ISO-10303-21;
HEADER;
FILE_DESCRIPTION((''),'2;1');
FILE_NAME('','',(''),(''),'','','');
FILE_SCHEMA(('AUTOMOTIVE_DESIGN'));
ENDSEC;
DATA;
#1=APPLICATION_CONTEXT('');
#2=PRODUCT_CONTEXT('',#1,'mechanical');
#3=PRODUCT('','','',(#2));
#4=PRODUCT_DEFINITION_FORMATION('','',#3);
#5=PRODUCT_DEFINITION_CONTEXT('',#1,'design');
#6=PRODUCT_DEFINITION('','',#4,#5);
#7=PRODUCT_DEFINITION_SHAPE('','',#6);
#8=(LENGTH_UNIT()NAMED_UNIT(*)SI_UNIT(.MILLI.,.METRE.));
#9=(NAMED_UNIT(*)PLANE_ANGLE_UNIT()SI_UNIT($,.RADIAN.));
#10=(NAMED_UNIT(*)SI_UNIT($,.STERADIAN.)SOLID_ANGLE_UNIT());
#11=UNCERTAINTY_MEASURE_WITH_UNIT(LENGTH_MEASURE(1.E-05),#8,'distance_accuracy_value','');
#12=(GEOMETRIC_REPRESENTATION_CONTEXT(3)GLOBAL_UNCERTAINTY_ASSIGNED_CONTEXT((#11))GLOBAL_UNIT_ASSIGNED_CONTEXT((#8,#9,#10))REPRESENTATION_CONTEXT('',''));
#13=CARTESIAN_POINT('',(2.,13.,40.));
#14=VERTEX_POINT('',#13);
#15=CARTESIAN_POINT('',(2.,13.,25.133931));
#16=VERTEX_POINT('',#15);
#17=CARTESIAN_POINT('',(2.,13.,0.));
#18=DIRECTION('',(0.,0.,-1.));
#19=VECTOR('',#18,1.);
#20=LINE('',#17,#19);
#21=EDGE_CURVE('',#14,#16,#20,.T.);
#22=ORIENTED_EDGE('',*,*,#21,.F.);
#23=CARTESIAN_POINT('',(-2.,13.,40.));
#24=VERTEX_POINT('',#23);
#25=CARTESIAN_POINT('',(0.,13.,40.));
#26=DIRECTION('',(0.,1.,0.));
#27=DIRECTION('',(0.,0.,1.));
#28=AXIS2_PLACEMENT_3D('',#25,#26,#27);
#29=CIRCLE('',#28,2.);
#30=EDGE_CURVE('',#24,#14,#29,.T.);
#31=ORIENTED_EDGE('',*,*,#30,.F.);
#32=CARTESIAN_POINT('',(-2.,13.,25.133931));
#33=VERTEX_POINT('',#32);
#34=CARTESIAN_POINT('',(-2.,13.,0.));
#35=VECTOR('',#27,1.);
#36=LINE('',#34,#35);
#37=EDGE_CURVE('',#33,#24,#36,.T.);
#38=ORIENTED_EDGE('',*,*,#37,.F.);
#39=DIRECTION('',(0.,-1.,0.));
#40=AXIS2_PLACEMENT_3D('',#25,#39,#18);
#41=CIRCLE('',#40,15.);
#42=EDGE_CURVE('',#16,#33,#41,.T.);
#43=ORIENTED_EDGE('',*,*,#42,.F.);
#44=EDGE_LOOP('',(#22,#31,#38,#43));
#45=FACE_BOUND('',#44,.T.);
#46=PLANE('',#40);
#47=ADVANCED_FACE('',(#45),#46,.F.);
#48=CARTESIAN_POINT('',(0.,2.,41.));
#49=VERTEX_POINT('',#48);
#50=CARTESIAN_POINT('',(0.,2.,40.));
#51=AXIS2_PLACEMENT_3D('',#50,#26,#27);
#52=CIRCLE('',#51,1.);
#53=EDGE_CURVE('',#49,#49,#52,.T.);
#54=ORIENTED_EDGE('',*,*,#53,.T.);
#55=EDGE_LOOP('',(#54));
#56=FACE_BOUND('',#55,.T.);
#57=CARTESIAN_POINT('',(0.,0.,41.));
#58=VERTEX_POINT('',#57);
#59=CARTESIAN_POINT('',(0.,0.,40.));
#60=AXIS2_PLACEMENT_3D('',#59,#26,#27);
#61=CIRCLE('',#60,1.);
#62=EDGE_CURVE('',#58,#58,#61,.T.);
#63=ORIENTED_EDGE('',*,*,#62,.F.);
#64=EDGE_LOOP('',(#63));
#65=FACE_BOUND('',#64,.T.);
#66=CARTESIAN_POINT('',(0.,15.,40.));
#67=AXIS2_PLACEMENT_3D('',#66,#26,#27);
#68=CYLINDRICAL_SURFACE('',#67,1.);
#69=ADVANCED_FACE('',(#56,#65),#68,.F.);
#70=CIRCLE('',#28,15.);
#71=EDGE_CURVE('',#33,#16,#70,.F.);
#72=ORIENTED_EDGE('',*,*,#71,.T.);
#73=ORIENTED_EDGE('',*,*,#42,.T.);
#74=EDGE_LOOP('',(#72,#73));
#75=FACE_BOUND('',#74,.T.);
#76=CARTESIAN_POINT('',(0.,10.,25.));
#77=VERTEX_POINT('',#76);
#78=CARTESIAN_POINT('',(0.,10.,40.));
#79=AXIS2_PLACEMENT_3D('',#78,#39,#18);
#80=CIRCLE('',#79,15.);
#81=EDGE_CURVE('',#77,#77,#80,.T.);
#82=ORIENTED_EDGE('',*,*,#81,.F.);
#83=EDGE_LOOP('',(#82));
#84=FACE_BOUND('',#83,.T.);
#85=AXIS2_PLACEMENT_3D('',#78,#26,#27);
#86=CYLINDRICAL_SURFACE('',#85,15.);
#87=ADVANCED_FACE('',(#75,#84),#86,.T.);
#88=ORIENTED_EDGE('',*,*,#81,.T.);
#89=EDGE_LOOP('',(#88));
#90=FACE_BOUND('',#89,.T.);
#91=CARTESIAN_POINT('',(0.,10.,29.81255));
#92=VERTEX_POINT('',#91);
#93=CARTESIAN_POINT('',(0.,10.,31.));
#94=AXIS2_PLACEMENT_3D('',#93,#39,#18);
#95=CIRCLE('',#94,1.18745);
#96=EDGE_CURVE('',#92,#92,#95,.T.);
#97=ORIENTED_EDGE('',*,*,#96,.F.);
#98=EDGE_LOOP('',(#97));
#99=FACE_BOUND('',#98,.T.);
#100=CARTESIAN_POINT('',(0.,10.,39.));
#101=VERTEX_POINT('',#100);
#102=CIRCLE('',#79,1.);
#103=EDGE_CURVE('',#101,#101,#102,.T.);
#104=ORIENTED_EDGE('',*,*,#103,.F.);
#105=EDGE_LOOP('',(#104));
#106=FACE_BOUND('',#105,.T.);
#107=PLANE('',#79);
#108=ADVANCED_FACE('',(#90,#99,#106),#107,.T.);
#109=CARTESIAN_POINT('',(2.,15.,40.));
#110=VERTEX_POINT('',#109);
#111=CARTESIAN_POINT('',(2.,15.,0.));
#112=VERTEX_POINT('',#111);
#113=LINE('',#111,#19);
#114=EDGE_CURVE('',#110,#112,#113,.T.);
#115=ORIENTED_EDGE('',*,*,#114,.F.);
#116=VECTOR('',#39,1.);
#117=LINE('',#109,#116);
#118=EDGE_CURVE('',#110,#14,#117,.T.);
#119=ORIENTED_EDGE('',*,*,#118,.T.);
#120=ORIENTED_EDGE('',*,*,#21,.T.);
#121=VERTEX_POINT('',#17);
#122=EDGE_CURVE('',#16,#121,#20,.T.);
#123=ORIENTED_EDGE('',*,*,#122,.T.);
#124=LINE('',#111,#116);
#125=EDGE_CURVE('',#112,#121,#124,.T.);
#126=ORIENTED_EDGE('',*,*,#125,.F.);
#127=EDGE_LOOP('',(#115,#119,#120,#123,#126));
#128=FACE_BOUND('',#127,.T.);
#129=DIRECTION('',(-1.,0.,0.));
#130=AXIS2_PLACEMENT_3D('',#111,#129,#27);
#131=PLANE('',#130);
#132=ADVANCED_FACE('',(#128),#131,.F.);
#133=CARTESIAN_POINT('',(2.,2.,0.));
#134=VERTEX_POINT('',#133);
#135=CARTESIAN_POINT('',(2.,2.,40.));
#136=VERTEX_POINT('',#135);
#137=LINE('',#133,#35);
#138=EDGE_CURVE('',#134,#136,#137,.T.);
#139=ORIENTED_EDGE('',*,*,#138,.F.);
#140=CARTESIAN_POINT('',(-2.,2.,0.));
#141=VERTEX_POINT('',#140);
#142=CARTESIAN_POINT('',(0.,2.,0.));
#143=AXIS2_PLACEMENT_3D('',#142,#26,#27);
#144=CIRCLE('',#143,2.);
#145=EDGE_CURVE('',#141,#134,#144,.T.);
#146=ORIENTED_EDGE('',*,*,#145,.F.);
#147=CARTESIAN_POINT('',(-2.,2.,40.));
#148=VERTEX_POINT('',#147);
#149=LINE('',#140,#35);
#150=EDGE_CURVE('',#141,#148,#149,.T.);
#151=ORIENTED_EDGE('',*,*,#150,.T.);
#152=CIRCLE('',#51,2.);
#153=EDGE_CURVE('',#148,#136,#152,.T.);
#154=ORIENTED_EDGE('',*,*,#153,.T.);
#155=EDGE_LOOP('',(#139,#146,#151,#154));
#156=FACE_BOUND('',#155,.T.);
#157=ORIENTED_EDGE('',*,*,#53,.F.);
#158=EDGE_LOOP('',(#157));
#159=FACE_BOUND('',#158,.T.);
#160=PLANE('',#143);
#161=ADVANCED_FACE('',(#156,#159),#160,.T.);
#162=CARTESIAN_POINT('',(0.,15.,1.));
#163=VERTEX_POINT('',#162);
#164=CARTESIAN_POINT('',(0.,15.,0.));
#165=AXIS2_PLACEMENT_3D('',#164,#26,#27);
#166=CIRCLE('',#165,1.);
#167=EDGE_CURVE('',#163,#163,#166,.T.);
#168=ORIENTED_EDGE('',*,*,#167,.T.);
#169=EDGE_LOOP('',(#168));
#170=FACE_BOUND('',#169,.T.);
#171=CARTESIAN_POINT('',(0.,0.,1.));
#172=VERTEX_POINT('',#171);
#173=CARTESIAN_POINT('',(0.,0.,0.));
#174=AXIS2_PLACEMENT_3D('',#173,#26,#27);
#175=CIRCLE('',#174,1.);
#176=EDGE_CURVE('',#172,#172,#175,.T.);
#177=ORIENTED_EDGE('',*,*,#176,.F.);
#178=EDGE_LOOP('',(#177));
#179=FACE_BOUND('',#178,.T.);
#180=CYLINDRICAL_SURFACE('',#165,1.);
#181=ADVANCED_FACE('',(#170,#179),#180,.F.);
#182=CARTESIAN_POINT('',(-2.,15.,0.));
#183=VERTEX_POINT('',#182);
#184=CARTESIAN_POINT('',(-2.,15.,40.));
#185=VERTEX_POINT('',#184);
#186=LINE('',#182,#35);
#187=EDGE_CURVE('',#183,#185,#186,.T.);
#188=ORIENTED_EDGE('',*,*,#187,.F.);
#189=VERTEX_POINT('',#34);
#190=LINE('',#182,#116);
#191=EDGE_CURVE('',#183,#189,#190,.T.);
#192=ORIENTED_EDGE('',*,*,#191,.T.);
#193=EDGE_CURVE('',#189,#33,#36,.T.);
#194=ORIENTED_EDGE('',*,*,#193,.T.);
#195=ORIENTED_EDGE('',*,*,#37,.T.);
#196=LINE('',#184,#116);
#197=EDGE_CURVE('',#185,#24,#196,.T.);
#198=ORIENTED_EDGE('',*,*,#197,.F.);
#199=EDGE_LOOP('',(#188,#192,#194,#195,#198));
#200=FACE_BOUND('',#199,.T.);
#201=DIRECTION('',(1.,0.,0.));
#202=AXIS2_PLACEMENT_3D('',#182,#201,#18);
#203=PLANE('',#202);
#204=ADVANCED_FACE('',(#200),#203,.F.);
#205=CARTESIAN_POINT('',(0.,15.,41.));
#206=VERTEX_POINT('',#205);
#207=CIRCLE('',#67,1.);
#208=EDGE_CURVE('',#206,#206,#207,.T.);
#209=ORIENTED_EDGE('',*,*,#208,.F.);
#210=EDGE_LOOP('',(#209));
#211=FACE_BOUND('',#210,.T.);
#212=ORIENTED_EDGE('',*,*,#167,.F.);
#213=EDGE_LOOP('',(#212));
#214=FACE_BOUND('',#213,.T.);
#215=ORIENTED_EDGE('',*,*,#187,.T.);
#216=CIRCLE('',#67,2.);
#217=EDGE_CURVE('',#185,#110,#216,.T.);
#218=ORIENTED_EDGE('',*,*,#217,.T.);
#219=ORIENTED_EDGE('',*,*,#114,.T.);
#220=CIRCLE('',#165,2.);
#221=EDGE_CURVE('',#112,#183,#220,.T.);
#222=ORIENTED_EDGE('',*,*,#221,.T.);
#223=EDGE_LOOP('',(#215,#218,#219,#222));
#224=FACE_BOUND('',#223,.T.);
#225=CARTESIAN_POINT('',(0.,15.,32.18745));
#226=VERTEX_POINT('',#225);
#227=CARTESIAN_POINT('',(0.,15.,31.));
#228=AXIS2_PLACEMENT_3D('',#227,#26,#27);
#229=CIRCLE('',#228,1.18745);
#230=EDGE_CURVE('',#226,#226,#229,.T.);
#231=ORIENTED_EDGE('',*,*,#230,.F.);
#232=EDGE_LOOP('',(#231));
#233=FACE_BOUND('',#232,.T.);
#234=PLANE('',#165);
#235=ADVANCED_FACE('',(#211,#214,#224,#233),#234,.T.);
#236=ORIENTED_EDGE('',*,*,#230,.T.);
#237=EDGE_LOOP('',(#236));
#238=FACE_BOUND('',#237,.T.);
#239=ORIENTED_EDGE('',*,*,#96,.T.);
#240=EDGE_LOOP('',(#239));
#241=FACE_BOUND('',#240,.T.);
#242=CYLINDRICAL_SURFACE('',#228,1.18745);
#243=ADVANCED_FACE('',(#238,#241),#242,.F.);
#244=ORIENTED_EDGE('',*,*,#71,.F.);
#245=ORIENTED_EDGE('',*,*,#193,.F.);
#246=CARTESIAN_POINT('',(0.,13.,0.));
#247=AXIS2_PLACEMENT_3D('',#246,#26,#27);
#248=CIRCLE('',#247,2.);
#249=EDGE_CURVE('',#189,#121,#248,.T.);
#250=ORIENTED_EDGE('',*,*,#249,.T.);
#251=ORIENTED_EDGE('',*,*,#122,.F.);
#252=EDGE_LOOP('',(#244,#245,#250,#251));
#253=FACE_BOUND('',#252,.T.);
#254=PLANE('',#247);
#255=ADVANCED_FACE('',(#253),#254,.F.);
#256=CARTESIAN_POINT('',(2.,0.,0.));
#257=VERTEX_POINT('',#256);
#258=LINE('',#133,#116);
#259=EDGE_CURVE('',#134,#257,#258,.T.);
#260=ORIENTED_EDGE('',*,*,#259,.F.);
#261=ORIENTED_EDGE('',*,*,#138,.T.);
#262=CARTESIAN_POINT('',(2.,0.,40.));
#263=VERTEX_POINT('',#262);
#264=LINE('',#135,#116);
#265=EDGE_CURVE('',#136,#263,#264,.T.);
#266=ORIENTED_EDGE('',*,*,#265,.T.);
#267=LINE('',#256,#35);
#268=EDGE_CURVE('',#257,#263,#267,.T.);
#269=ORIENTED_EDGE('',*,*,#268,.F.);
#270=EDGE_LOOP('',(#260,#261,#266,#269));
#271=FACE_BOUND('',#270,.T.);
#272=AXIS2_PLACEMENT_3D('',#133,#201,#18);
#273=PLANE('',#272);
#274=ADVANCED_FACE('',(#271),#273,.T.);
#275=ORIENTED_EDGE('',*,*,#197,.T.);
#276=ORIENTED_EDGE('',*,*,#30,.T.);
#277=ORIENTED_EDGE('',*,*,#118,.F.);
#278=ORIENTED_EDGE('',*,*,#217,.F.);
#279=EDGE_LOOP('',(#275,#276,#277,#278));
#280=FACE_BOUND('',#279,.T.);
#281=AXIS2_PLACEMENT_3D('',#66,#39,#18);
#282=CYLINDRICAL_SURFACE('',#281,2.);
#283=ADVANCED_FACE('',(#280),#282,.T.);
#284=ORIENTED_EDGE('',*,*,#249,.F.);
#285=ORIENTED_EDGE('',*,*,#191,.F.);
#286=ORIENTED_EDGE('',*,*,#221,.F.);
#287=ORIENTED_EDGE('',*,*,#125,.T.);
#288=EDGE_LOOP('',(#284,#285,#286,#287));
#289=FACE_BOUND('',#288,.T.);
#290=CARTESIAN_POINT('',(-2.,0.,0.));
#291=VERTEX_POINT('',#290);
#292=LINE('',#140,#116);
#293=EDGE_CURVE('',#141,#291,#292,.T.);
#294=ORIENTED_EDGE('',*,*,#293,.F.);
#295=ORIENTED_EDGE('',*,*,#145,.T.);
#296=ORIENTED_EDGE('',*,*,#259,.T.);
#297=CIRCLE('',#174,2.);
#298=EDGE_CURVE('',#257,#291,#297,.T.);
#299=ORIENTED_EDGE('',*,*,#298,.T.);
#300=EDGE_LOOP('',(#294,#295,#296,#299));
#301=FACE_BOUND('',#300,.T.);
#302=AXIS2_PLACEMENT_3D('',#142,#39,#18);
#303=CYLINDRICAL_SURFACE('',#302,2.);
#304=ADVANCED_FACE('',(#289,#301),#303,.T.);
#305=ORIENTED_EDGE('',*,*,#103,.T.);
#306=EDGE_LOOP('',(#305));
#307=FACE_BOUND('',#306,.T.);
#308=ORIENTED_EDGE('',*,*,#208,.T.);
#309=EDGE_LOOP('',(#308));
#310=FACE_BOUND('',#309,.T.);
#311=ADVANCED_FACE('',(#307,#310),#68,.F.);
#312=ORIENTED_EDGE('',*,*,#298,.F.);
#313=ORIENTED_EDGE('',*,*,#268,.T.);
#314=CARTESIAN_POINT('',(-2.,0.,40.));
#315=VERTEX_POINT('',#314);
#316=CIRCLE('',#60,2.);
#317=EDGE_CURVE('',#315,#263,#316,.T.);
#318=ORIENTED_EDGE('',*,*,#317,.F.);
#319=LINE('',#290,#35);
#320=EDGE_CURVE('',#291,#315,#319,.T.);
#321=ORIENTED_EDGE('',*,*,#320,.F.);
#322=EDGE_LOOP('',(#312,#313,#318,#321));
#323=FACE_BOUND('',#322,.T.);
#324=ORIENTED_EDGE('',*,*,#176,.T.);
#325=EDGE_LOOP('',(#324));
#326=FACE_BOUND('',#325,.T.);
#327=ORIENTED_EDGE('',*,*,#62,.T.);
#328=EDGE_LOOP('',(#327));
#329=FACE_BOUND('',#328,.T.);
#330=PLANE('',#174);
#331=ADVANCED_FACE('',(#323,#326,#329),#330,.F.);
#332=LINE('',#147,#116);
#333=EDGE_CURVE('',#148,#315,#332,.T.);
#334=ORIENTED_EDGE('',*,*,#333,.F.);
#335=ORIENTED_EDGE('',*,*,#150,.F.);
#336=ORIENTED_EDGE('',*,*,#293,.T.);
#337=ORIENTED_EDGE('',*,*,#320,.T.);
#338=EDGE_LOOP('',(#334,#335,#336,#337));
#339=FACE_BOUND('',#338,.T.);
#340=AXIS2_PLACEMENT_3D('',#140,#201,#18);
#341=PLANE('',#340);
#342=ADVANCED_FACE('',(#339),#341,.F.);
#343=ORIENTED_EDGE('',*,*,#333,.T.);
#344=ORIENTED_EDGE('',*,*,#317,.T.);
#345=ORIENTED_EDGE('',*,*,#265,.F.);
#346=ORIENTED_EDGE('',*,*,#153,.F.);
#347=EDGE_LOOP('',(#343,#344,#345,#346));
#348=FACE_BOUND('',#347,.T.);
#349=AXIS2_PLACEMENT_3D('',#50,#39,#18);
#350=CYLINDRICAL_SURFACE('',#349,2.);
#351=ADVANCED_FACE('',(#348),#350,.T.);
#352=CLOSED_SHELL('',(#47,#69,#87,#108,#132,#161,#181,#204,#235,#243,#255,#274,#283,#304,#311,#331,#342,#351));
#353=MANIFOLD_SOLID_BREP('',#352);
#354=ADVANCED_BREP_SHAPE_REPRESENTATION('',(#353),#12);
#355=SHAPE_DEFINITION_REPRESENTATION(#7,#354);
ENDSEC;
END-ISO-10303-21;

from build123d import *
from build123d.topology import SkipClean

# Parameters (mm, degrees)
BOSS_EXTRUDE1_DEPTH             = 2
SKETCH2_R                       = 2
BOSS_EXTRUDE2_DEPTH             = 12
BOSS_EXTRUDE3_START             = 13
BOSS_EXTRUDE3_DEPTH             = 2
SKETCH7_R                       = 15
BOSS_EXTRUDE5_DEPTH             = 3
F_2_0MM_CLEARANCE_DOWEL_HOLE1_D = 2
F_4_48_TAPPED_HOLE1_D           = 2.3749
F_4_48_TAPPED_HOLE1_DEPTH       = 7.27
F_4_48_TAPPED_HOLE1_TIP         = 0.713491942


with BuildPart() as part:
    # Sketch1 → Boss-Extrude1 (new body)
    with BuildSketch(Plane(origin=(0, 0, 0), x_dir=(1, 0, 0), z_dir=(0, 1, 0))):
        with BuildLine():
            Line((2, 0), (2, -40))
            ThreePointArc((2, -40), (0, -42), (-2, -40))
            Line((-2, -40), (-2, 0))
            ThreePointArc((-2, 0), (0, 2), (2, 0))
        make_face()
    extrude(amount=BOSS_EXTRUDE1_DEPTH)

    # Sketch2 → Boss-Extrude2 (add)
    with SkipClean():  # the faces are left unmerged after this step: merging them gives an invalid solid
        with BuildSketch(Plane(origin=(0, 2, 0), x_dir=(1, 0, 0), z_dir=(0, 1, 0))):
            Circle(SKETCH2_R)
        extrude(amount=BOSS_EXTRUDE2_DEPTH)
    add(part.part.scale(1), mode=Mode.REPLACE)  # the faces are merged on a copy

    # Sketch1<3> → Boss-Extrude3 (add)
    with BuildSketch(Plane(origin=(0, 0, 0), x_dir=(1, 0, 0), z_dir=(0, 1, 0)).offset(BOSS_EXTRUDE3_START)):
        with BuildLine():
            Line((2, 0), (2, -40))
            ThreePointArc((2, -40), (0, -42), (-2, -40))
            Line((-2, -40), (-2, 0))
            ThreePointArc((-2, 0), (0, 2), (2, 0))
        make_face()
    extrude(amount=BOSS_EXTRUDE3_DEPTH)

    # Sketch7 → Boss-Extrude5 (add)
    with BuildSketch(Plane.XZ.offset(-13)):
        with Locations((0, 40)):
            Circle(SKETCH7_R)
    extrude(amount=BOSS_EXTRUDE5_DEPTH)

    # Ø2.0mm Clearance Dowel Hole1 (through all)
    with Locations(Plane(origin=(0, 15, 0), x_dir=(1, 0, 0), z_dir=(0, 1, 0))):
        with Locations((0, 0), (0, -40)):
            Hole(F_2_0MM_CLEARANCE_DOWEL_HOLE1_D / 2)

    # #4-48 Tapped Hole1
    with Locations(Plane(origin=(0, 15, 0), x_dir=(1, 0, 0), z_dir=(0, 1, 0))):
        with Locations((0, -31)):
            Hole(F_4_48_TAPPED_HOLE1_D / 2, depth=F_4_48_TAPPED_HOLE1_DEPTH)
            with Locations((0, 0, -(F_4_48_TAPPED_HOLE1_DEPTH + F_4_48_TAPPED_HOLE1_TIP / 2))):  # 118° drill point
                Cone(0, F_4_48_TAPPED_HOLE1_D / 2, F_4_48_TAPPED_HOLE1_TIP, mode=Mode.SUBTRACT)


solid = part.part
